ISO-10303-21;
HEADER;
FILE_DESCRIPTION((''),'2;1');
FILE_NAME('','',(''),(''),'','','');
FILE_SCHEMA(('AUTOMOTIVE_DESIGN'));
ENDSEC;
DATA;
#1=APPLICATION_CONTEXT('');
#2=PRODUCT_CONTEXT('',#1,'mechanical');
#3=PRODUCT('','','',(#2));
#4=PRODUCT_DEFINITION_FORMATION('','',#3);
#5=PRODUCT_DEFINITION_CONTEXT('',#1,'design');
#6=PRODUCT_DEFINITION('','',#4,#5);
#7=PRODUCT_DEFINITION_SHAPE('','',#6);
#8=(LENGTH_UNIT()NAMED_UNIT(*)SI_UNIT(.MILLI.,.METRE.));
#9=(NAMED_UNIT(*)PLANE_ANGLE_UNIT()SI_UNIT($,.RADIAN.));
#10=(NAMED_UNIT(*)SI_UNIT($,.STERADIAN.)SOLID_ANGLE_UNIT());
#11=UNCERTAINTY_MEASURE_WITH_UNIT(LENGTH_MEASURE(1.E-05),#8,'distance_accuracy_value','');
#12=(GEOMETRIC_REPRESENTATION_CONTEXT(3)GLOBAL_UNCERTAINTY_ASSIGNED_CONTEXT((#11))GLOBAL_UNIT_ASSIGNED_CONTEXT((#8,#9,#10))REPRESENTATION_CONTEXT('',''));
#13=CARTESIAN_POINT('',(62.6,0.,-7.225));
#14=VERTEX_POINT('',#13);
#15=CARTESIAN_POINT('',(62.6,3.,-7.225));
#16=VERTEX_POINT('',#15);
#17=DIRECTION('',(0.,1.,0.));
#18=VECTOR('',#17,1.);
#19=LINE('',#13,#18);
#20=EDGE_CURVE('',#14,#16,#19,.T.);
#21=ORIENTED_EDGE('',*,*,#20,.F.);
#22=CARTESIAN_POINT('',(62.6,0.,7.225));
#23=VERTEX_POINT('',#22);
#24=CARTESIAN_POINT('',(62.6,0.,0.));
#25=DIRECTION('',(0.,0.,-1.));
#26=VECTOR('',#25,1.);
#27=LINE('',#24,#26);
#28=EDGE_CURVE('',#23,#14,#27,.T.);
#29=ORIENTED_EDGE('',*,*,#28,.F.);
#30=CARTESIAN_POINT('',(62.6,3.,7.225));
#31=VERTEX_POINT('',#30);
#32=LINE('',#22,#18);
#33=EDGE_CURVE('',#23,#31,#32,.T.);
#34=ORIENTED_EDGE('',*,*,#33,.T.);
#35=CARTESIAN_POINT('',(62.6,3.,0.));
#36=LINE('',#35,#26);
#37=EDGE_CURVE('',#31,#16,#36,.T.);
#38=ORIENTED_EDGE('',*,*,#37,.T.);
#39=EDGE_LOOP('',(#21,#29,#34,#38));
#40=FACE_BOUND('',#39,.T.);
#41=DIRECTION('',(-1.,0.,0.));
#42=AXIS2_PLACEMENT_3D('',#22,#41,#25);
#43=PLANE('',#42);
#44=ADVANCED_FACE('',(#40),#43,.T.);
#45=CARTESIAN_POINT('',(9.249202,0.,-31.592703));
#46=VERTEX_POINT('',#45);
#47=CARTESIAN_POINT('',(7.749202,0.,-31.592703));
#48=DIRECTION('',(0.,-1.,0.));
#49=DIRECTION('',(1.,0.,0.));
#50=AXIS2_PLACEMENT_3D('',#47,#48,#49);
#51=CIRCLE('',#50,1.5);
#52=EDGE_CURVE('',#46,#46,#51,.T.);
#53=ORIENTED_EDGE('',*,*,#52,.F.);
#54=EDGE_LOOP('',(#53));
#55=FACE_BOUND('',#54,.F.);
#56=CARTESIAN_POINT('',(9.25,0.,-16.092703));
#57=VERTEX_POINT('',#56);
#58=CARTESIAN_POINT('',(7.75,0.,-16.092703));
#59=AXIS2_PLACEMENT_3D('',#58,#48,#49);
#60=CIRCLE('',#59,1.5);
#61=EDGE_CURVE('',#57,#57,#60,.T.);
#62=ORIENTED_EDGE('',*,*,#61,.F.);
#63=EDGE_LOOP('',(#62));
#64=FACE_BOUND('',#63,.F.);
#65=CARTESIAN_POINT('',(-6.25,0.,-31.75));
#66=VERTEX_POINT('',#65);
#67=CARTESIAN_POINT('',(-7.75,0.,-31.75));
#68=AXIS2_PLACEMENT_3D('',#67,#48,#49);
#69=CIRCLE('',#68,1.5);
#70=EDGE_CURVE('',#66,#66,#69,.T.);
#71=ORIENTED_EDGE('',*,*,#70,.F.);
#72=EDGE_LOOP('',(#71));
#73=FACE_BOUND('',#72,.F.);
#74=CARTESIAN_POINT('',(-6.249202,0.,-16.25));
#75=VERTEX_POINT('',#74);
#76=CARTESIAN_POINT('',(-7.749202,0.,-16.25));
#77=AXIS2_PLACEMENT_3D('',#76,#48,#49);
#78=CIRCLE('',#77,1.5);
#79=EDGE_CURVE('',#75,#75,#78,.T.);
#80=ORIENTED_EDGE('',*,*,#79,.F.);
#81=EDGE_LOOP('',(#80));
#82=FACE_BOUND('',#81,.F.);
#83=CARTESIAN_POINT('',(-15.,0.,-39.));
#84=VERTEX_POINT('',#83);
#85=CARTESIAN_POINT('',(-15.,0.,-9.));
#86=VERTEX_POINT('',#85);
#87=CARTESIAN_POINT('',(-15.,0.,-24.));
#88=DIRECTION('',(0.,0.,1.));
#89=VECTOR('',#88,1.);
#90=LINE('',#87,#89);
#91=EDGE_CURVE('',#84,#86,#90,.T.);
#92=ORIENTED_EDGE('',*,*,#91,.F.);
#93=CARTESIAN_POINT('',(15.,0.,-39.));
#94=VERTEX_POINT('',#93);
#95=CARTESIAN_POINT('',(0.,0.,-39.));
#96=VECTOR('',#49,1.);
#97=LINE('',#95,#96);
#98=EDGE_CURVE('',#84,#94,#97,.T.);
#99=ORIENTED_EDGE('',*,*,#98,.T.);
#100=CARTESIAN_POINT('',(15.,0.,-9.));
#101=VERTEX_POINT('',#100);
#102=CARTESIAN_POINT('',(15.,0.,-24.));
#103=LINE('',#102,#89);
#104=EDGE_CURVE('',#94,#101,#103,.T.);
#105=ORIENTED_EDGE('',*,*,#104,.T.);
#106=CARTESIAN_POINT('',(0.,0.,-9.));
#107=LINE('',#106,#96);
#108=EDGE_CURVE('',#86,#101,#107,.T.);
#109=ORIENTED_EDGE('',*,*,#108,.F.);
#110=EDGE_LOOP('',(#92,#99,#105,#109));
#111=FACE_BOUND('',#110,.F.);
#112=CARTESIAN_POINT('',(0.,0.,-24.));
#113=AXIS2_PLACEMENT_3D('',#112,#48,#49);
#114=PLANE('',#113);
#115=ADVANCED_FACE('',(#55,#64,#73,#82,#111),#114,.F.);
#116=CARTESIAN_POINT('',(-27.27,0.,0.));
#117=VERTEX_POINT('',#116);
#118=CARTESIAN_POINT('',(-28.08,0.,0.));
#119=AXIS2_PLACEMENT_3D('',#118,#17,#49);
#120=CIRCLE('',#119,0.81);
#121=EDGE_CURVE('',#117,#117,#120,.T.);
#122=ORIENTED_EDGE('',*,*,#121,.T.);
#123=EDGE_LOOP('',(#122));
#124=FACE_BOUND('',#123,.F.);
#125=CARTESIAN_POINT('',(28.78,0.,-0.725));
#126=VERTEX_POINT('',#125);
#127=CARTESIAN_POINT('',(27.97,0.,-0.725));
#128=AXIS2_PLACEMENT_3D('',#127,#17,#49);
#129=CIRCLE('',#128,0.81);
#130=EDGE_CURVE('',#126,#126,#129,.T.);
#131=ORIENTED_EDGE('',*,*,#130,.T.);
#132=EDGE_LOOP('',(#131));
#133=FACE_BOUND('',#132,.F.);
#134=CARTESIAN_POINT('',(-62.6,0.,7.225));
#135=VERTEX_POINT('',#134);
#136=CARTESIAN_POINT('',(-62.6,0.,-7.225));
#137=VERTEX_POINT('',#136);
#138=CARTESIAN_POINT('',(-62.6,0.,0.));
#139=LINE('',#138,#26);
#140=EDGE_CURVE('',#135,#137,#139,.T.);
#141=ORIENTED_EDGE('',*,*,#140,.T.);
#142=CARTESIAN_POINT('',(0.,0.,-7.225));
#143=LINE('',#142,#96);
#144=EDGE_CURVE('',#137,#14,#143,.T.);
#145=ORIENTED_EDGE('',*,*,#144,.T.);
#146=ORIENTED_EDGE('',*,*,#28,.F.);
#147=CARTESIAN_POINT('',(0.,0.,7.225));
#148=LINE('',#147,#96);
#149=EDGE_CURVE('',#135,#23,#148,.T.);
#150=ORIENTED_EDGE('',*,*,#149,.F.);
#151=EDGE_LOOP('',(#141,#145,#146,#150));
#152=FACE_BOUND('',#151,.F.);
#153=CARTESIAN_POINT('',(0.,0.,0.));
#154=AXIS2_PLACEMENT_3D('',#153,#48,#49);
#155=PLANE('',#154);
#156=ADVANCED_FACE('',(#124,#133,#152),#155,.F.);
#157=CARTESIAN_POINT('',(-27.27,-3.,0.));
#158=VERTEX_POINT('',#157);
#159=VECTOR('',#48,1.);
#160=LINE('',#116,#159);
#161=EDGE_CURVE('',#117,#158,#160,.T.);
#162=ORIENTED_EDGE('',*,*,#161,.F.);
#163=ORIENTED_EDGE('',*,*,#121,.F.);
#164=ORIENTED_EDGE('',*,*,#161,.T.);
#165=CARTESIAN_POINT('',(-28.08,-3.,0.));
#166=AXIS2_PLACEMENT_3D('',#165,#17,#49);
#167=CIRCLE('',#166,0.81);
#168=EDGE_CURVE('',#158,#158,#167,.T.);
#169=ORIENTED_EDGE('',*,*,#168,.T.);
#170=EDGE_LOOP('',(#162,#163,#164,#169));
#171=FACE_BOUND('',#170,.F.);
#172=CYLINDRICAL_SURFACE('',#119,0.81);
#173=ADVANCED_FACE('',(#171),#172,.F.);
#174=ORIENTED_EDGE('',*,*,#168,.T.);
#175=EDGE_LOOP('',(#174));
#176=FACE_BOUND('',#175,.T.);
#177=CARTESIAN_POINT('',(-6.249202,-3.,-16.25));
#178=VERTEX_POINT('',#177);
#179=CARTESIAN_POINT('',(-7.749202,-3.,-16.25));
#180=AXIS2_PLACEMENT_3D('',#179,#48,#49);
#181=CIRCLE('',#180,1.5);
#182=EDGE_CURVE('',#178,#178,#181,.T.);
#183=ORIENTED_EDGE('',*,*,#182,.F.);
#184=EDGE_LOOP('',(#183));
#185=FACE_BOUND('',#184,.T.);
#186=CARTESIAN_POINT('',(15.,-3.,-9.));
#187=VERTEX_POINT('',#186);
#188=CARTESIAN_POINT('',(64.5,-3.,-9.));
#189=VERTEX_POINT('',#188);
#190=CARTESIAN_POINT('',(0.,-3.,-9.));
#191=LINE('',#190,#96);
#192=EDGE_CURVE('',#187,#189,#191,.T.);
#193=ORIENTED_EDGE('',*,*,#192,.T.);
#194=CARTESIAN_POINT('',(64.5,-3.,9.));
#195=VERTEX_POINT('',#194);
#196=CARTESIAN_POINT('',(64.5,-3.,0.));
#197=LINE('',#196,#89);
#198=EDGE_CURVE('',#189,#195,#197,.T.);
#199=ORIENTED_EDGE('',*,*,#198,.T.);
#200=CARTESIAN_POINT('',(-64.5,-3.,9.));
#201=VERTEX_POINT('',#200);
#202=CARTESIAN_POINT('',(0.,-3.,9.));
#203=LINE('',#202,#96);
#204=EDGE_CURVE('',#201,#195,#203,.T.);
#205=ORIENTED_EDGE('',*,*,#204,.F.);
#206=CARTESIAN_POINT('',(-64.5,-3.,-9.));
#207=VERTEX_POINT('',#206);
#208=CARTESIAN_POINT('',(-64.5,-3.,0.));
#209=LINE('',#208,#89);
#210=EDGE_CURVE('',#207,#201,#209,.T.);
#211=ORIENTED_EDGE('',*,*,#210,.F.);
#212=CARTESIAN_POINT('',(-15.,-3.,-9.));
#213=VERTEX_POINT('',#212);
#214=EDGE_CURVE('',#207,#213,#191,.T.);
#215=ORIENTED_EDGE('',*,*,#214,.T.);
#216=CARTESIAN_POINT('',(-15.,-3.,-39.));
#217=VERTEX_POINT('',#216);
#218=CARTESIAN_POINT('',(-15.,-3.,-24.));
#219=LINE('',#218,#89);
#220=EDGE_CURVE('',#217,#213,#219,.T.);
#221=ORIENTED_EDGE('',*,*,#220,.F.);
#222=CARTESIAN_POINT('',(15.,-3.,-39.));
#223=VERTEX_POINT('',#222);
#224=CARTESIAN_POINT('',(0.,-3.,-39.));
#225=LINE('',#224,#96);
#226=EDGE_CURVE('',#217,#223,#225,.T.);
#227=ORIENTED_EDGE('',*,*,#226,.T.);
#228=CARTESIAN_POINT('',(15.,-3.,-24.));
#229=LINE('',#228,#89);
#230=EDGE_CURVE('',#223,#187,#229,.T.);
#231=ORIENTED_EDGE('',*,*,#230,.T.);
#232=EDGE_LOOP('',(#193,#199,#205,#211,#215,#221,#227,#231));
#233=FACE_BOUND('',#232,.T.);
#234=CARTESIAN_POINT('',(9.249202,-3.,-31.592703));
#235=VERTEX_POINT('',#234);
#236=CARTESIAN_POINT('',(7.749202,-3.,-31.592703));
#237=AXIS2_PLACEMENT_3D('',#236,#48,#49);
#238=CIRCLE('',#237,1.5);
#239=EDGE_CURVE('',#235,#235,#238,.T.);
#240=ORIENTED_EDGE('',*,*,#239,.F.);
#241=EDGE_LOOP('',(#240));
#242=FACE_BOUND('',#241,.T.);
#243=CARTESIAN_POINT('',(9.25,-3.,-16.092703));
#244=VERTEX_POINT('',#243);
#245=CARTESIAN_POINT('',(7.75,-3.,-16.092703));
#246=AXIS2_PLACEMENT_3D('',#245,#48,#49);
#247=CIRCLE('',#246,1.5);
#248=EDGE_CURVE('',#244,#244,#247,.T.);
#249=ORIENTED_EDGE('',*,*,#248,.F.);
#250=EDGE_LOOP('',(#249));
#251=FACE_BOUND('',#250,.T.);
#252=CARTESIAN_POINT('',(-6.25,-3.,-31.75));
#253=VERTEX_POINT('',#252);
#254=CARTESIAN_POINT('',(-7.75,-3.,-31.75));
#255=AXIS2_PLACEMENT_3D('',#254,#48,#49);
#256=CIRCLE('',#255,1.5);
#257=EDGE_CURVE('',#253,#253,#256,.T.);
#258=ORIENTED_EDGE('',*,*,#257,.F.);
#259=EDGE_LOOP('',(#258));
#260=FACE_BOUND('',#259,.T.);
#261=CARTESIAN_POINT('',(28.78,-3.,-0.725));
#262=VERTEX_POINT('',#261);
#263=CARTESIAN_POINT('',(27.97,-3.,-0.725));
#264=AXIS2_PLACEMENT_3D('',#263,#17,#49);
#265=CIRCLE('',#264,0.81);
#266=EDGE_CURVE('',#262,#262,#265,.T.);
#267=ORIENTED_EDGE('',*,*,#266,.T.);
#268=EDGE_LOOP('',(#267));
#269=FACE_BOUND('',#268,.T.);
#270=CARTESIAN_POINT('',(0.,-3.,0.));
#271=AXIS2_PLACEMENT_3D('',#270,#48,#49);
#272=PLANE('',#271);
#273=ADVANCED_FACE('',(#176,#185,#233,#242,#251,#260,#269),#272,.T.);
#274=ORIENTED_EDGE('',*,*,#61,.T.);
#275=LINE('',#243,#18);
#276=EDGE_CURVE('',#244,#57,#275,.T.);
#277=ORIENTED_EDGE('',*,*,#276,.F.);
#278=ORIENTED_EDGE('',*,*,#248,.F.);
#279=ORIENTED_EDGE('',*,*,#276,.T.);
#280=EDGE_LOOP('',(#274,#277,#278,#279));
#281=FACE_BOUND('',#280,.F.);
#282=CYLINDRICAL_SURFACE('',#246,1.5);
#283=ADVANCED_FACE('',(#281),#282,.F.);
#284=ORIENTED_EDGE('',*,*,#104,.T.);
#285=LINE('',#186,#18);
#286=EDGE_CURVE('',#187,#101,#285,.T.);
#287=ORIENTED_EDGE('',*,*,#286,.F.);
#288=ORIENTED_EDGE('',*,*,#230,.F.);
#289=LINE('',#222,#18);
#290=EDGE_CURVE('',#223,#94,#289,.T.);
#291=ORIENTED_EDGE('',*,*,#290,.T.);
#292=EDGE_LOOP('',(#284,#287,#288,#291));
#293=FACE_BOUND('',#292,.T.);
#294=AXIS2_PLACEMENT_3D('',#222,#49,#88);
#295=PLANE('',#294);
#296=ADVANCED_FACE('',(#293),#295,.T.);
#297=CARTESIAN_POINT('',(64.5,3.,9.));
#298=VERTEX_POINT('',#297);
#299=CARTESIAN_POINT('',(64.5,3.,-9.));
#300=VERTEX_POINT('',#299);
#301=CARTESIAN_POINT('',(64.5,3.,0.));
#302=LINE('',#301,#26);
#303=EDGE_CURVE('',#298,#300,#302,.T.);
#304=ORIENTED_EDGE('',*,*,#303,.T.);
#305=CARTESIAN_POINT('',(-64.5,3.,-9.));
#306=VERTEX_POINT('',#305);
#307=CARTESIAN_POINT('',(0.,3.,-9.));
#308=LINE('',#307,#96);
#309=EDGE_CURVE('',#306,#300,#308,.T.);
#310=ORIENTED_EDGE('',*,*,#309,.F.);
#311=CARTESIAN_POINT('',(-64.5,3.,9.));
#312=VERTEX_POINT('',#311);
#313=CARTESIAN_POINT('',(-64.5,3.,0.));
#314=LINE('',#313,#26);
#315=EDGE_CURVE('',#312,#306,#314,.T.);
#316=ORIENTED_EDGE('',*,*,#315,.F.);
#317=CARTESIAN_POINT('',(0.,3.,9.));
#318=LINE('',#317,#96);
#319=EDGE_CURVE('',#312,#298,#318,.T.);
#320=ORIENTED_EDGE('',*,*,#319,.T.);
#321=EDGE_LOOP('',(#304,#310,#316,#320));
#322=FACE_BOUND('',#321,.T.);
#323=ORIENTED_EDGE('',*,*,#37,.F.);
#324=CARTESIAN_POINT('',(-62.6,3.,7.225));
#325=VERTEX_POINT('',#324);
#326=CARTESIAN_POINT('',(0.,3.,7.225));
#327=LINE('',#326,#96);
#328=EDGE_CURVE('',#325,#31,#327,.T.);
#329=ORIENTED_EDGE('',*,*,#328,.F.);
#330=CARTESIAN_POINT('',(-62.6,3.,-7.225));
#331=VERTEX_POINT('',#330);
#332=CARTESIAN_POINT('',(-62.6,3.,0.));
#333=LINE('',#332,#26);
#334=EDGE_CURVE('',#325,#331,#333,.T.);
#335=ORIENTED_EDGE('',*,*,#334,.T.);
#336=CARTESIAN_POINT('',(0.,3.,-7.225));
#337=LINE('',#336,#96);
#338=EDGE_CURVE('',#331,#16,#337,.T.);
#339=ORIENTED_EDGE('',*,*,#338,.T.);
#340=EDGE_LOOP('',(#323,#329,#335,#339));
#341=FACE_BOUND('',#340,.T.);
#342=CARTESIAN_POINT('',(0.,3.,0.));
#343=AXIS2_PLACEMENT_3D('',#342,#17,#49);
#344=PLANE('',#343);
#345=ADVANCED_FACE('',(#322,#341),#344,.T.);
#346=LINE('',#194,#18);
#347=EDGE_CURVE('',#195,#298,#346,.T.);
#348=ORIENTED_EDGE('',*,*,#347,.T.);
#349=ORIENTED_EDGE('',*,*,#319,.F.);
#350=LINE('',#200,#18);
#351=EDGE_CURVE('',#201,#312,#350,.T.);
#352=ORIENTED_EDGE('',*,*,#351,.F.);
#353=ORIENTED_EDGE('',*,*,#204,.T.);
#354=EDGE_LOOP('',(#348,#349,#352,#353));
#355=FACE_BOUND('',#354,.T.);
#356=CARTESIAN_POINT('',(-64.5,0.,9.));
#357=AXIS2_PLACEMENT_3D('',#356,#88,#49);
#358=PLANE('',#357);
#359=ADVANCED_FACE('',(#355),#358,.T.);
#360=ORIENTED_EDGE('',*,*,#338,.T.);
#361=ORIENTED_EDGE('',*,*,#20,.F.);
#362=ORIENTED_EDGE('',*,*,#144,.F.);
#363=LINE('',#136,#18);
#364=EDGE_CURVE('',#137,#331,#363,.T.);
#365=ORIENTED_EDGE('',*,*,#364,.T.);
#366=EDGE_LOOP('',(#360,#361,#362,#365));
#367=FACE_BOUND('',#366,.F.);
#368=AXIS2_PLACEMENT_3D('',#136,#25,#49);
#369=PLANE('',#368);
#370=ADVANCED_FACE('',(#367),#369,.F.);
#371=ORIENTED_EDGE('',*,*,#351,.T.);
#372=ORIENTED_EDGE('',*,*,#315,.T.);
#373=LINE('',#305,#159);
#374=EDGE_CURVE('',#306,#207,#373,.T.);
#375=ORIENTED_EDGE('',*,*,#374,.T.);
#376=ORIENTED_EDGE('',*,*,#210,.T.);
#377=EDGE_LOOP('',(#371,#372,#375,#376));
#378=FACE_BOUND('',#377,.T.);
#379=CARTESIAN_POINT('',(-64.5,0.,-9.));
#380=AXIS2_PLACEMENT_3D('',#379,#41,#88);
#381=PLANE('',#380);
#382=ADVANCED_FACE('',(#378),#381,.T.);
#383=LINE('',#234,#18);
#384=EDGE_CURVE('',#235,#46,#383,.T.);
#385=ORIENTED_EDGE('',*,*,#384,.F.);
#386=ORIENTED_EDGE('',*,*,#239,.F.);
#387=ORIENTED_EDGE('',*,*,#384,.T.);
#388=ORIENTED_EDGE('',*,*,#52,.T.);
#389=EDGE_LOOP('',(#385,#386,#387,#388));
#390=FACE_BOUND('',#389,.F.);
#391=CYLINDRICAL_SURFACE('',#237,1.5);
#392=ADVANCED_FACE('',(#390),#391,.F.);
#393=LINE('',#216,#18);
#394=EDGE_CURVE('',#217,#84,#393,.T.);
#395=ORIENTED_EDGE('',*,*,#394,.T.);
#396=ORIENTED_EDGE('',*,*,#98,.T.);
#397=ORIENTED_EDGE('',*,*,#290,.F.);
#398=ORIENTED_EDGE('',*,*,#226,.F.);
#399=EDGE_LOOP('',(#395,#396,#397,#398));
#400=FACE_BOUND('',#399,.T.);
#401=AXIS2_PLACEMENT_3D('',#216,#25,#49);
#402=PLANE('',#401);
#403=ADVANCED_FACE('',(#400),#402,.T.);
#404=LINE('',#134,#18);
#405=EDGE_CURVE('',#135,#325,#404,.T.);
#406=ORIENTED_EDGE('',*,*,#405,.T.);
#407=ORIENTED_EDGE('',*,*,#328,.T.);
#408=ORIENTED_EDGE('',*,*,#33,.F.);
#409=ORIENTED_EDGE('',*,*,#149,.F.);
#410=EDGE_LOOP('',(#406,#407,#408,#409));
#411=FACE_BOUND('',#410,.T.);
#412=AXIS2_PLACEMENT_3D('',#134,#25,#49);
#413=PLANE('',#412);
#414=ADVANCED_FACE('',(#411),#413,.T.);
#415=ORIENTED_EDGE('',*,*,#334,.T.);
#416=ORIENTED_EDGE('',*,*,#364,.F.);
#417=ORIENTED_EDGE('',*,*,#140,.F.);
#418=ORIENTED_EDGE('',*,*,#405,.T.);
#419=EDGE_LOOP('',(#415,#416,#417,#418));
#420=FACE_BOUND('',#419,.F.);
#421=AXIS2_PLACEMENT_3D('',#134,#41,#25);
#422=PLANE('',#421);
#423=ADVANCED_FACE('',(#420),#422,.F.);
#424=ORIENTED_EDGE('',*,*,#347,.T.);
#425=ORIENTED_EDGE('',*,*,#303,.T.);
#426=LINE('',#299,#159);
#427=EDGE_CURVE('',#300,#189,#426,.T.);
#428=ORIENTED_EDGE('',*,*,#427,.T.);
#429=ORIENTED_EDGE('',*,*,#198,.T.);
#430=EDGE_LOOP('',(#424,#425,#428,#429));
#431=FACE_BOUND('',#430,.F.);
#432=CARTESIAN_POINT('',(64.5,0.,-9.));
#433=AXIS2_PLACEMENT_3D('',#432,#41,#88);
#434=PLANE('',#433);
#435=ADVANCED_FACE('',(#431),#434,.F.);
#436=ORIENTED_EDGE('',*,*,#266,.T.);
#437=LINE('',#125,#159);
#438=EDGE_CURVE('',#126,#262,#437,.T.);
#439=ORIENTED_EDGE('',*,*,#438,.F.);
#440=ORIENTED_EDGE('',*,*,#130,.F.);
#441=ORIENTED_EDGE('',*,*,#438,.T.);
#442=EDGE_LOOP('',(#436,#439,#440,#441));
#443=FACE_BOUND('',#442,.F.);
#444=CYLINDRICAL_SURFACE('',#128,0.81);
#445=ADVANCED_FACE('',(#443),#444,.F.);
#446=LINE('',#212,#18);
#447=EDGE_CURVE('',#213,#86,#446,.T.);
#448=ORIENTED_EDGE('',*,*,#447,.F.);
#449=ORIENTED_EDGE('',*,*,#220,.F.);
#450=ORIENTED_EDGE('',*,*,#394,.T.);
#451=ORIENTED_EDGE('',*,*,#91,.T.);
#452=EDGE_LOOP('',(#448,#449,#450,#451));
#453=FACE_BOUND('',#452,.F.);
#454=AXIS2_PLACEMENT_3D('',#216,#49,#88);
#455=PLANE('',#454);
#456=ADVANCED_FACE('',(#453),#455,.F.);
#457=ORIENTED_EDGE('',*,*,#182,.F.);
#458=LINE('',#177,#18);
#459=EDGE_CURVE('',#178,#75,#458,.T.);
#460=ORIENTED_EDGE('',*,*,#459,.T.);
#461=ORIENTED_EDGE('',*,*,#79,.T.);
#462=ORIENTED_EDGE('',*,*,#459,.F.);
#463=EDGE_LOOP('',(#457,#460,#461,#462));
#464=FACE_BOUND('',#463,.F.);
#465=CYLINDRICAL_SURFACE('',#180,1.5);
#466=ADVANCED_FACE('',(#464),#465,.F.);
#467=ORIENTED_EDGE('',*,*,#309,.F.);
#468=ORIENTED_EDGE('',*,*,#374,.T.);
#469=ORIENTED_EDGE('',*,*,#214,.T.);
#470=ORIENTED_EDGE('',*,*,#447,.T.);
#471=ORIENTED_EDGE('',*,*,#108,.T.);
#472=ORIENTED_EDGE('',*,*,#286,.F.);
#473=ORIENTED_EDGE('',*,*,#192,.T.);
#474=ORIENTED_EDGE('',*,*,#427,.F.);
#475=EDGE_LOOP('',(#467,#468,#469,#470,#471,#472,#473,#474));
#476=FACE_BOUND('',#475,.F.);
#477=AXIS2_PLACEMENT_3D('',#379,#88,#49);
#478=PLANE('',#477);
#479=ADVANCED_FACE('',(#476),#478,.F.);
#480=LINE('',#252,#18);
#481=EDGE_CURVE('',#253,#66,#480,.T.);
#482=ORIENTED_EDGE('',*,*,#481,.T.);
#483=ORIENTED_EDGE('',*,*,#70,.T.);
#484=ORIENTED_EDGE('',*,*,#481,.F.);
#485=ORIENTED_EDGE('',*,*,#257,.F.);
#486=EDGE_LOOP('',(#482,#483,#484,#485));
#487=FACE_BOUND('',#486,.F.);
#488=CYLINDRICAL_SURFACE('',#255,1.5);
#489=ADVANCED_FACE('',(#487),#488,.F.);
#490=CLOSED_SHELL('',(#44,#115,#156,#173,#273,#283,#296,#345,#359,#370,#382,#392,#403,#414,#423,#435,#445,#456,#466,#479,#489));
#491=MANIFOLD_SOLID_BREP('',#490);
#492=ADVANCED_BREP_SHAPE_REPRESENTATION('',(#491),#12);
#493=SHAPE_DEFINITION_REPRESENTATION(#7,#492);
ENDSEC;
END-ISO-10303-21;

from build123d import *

# Parameters (mm, degrees)
SKETCH1_W           = 129
SKETCH1_H           = 18
SKETCH1_W_2         = 125.2
SKETCH1_H_2         = 14.45
BOSS_EXTRUDE1_DEPTH = 3
SKETCH2_W           = 129
SKETCH2_H           = 18
BOSS_EXTRUDE2_DEPTH = 3
SKETCH4_R           = 0.81
CUT_EXTRUDE1_DEPTH  = 4
SKETCH5_W           = 30
SKETCH5_H           = 30
SKETCH5_R           = 1.5
BOSS_EXTRUDE4_DEPTH = 3


with BuildPart() as part:
    # Sketch1 → Boss-Extrude1 (new body)
    with BuildSketch(Plane(origin=(0, 0, 0), x_dir=(1, 0, 0), z_dir=(0, 1, 0))):
        Rectangle(SKETCH1_W, SKETCH1_H)
        Rectangle(SKETCH1_W_2, SKETCH1_H_2, mode=Mode.SUBTRACT)
    extrude(amount=BOSS_EXTRUDE1_DEPTH)

    # Sketch2 → Boss-Extrude2 (add)
    with BuildSketch(Plane.XZ):
        Rectangle(SKETCH2_W, SKETCH2_H)
    extrude(amount=BOSS_EXTRUDE2_DEPTH)

    # Sketch4 → Cut-Extrude1 (cut, through all)
    with BuildSketch(Plane(origin=(0, 0, 0), x_dir=(1, 0, 0), z_dir=(0, 1, 0))):
        with Locations((27.97, 0.725)):
            Circle(SKETCH4_R)
        with Locations((-28.08, 0)):
            Circle(SKETCH4_R)
    extrude(amount=-CUT_EXTRUDE1_DEPTH, mode=Mode.SUBTRACT)

    # Sketch5 → Boss-Extrude4 (add)
    with BuildSketch(Plane.XZ.offset(3)):
        with Locations((0, -24)):
            Rectangle(SKETCH5_W, SKETCH5_H)
        with Locations((7.75, -16.092702878)):
            Circle(SKETCH5_R, mode=Mode.SUBTRACT)
        with Locations((7.749201838, -31.592702857)):
            Circle(SKETCH5_R, mode=Mode.SUBTRACT)
        with Locations((-7.75, -31.75)):
            Circle(SKETCH5_R, mode=Mode.SUBTRACT)
        with Locations((-7.749201838, -16.250000021)):
            Circle(SKETCH5_R, mode=Mode.SUBTRACT)
    extrude(amount=-BOSS_EXTRUDE4_DEPTH)


solid = part.part
